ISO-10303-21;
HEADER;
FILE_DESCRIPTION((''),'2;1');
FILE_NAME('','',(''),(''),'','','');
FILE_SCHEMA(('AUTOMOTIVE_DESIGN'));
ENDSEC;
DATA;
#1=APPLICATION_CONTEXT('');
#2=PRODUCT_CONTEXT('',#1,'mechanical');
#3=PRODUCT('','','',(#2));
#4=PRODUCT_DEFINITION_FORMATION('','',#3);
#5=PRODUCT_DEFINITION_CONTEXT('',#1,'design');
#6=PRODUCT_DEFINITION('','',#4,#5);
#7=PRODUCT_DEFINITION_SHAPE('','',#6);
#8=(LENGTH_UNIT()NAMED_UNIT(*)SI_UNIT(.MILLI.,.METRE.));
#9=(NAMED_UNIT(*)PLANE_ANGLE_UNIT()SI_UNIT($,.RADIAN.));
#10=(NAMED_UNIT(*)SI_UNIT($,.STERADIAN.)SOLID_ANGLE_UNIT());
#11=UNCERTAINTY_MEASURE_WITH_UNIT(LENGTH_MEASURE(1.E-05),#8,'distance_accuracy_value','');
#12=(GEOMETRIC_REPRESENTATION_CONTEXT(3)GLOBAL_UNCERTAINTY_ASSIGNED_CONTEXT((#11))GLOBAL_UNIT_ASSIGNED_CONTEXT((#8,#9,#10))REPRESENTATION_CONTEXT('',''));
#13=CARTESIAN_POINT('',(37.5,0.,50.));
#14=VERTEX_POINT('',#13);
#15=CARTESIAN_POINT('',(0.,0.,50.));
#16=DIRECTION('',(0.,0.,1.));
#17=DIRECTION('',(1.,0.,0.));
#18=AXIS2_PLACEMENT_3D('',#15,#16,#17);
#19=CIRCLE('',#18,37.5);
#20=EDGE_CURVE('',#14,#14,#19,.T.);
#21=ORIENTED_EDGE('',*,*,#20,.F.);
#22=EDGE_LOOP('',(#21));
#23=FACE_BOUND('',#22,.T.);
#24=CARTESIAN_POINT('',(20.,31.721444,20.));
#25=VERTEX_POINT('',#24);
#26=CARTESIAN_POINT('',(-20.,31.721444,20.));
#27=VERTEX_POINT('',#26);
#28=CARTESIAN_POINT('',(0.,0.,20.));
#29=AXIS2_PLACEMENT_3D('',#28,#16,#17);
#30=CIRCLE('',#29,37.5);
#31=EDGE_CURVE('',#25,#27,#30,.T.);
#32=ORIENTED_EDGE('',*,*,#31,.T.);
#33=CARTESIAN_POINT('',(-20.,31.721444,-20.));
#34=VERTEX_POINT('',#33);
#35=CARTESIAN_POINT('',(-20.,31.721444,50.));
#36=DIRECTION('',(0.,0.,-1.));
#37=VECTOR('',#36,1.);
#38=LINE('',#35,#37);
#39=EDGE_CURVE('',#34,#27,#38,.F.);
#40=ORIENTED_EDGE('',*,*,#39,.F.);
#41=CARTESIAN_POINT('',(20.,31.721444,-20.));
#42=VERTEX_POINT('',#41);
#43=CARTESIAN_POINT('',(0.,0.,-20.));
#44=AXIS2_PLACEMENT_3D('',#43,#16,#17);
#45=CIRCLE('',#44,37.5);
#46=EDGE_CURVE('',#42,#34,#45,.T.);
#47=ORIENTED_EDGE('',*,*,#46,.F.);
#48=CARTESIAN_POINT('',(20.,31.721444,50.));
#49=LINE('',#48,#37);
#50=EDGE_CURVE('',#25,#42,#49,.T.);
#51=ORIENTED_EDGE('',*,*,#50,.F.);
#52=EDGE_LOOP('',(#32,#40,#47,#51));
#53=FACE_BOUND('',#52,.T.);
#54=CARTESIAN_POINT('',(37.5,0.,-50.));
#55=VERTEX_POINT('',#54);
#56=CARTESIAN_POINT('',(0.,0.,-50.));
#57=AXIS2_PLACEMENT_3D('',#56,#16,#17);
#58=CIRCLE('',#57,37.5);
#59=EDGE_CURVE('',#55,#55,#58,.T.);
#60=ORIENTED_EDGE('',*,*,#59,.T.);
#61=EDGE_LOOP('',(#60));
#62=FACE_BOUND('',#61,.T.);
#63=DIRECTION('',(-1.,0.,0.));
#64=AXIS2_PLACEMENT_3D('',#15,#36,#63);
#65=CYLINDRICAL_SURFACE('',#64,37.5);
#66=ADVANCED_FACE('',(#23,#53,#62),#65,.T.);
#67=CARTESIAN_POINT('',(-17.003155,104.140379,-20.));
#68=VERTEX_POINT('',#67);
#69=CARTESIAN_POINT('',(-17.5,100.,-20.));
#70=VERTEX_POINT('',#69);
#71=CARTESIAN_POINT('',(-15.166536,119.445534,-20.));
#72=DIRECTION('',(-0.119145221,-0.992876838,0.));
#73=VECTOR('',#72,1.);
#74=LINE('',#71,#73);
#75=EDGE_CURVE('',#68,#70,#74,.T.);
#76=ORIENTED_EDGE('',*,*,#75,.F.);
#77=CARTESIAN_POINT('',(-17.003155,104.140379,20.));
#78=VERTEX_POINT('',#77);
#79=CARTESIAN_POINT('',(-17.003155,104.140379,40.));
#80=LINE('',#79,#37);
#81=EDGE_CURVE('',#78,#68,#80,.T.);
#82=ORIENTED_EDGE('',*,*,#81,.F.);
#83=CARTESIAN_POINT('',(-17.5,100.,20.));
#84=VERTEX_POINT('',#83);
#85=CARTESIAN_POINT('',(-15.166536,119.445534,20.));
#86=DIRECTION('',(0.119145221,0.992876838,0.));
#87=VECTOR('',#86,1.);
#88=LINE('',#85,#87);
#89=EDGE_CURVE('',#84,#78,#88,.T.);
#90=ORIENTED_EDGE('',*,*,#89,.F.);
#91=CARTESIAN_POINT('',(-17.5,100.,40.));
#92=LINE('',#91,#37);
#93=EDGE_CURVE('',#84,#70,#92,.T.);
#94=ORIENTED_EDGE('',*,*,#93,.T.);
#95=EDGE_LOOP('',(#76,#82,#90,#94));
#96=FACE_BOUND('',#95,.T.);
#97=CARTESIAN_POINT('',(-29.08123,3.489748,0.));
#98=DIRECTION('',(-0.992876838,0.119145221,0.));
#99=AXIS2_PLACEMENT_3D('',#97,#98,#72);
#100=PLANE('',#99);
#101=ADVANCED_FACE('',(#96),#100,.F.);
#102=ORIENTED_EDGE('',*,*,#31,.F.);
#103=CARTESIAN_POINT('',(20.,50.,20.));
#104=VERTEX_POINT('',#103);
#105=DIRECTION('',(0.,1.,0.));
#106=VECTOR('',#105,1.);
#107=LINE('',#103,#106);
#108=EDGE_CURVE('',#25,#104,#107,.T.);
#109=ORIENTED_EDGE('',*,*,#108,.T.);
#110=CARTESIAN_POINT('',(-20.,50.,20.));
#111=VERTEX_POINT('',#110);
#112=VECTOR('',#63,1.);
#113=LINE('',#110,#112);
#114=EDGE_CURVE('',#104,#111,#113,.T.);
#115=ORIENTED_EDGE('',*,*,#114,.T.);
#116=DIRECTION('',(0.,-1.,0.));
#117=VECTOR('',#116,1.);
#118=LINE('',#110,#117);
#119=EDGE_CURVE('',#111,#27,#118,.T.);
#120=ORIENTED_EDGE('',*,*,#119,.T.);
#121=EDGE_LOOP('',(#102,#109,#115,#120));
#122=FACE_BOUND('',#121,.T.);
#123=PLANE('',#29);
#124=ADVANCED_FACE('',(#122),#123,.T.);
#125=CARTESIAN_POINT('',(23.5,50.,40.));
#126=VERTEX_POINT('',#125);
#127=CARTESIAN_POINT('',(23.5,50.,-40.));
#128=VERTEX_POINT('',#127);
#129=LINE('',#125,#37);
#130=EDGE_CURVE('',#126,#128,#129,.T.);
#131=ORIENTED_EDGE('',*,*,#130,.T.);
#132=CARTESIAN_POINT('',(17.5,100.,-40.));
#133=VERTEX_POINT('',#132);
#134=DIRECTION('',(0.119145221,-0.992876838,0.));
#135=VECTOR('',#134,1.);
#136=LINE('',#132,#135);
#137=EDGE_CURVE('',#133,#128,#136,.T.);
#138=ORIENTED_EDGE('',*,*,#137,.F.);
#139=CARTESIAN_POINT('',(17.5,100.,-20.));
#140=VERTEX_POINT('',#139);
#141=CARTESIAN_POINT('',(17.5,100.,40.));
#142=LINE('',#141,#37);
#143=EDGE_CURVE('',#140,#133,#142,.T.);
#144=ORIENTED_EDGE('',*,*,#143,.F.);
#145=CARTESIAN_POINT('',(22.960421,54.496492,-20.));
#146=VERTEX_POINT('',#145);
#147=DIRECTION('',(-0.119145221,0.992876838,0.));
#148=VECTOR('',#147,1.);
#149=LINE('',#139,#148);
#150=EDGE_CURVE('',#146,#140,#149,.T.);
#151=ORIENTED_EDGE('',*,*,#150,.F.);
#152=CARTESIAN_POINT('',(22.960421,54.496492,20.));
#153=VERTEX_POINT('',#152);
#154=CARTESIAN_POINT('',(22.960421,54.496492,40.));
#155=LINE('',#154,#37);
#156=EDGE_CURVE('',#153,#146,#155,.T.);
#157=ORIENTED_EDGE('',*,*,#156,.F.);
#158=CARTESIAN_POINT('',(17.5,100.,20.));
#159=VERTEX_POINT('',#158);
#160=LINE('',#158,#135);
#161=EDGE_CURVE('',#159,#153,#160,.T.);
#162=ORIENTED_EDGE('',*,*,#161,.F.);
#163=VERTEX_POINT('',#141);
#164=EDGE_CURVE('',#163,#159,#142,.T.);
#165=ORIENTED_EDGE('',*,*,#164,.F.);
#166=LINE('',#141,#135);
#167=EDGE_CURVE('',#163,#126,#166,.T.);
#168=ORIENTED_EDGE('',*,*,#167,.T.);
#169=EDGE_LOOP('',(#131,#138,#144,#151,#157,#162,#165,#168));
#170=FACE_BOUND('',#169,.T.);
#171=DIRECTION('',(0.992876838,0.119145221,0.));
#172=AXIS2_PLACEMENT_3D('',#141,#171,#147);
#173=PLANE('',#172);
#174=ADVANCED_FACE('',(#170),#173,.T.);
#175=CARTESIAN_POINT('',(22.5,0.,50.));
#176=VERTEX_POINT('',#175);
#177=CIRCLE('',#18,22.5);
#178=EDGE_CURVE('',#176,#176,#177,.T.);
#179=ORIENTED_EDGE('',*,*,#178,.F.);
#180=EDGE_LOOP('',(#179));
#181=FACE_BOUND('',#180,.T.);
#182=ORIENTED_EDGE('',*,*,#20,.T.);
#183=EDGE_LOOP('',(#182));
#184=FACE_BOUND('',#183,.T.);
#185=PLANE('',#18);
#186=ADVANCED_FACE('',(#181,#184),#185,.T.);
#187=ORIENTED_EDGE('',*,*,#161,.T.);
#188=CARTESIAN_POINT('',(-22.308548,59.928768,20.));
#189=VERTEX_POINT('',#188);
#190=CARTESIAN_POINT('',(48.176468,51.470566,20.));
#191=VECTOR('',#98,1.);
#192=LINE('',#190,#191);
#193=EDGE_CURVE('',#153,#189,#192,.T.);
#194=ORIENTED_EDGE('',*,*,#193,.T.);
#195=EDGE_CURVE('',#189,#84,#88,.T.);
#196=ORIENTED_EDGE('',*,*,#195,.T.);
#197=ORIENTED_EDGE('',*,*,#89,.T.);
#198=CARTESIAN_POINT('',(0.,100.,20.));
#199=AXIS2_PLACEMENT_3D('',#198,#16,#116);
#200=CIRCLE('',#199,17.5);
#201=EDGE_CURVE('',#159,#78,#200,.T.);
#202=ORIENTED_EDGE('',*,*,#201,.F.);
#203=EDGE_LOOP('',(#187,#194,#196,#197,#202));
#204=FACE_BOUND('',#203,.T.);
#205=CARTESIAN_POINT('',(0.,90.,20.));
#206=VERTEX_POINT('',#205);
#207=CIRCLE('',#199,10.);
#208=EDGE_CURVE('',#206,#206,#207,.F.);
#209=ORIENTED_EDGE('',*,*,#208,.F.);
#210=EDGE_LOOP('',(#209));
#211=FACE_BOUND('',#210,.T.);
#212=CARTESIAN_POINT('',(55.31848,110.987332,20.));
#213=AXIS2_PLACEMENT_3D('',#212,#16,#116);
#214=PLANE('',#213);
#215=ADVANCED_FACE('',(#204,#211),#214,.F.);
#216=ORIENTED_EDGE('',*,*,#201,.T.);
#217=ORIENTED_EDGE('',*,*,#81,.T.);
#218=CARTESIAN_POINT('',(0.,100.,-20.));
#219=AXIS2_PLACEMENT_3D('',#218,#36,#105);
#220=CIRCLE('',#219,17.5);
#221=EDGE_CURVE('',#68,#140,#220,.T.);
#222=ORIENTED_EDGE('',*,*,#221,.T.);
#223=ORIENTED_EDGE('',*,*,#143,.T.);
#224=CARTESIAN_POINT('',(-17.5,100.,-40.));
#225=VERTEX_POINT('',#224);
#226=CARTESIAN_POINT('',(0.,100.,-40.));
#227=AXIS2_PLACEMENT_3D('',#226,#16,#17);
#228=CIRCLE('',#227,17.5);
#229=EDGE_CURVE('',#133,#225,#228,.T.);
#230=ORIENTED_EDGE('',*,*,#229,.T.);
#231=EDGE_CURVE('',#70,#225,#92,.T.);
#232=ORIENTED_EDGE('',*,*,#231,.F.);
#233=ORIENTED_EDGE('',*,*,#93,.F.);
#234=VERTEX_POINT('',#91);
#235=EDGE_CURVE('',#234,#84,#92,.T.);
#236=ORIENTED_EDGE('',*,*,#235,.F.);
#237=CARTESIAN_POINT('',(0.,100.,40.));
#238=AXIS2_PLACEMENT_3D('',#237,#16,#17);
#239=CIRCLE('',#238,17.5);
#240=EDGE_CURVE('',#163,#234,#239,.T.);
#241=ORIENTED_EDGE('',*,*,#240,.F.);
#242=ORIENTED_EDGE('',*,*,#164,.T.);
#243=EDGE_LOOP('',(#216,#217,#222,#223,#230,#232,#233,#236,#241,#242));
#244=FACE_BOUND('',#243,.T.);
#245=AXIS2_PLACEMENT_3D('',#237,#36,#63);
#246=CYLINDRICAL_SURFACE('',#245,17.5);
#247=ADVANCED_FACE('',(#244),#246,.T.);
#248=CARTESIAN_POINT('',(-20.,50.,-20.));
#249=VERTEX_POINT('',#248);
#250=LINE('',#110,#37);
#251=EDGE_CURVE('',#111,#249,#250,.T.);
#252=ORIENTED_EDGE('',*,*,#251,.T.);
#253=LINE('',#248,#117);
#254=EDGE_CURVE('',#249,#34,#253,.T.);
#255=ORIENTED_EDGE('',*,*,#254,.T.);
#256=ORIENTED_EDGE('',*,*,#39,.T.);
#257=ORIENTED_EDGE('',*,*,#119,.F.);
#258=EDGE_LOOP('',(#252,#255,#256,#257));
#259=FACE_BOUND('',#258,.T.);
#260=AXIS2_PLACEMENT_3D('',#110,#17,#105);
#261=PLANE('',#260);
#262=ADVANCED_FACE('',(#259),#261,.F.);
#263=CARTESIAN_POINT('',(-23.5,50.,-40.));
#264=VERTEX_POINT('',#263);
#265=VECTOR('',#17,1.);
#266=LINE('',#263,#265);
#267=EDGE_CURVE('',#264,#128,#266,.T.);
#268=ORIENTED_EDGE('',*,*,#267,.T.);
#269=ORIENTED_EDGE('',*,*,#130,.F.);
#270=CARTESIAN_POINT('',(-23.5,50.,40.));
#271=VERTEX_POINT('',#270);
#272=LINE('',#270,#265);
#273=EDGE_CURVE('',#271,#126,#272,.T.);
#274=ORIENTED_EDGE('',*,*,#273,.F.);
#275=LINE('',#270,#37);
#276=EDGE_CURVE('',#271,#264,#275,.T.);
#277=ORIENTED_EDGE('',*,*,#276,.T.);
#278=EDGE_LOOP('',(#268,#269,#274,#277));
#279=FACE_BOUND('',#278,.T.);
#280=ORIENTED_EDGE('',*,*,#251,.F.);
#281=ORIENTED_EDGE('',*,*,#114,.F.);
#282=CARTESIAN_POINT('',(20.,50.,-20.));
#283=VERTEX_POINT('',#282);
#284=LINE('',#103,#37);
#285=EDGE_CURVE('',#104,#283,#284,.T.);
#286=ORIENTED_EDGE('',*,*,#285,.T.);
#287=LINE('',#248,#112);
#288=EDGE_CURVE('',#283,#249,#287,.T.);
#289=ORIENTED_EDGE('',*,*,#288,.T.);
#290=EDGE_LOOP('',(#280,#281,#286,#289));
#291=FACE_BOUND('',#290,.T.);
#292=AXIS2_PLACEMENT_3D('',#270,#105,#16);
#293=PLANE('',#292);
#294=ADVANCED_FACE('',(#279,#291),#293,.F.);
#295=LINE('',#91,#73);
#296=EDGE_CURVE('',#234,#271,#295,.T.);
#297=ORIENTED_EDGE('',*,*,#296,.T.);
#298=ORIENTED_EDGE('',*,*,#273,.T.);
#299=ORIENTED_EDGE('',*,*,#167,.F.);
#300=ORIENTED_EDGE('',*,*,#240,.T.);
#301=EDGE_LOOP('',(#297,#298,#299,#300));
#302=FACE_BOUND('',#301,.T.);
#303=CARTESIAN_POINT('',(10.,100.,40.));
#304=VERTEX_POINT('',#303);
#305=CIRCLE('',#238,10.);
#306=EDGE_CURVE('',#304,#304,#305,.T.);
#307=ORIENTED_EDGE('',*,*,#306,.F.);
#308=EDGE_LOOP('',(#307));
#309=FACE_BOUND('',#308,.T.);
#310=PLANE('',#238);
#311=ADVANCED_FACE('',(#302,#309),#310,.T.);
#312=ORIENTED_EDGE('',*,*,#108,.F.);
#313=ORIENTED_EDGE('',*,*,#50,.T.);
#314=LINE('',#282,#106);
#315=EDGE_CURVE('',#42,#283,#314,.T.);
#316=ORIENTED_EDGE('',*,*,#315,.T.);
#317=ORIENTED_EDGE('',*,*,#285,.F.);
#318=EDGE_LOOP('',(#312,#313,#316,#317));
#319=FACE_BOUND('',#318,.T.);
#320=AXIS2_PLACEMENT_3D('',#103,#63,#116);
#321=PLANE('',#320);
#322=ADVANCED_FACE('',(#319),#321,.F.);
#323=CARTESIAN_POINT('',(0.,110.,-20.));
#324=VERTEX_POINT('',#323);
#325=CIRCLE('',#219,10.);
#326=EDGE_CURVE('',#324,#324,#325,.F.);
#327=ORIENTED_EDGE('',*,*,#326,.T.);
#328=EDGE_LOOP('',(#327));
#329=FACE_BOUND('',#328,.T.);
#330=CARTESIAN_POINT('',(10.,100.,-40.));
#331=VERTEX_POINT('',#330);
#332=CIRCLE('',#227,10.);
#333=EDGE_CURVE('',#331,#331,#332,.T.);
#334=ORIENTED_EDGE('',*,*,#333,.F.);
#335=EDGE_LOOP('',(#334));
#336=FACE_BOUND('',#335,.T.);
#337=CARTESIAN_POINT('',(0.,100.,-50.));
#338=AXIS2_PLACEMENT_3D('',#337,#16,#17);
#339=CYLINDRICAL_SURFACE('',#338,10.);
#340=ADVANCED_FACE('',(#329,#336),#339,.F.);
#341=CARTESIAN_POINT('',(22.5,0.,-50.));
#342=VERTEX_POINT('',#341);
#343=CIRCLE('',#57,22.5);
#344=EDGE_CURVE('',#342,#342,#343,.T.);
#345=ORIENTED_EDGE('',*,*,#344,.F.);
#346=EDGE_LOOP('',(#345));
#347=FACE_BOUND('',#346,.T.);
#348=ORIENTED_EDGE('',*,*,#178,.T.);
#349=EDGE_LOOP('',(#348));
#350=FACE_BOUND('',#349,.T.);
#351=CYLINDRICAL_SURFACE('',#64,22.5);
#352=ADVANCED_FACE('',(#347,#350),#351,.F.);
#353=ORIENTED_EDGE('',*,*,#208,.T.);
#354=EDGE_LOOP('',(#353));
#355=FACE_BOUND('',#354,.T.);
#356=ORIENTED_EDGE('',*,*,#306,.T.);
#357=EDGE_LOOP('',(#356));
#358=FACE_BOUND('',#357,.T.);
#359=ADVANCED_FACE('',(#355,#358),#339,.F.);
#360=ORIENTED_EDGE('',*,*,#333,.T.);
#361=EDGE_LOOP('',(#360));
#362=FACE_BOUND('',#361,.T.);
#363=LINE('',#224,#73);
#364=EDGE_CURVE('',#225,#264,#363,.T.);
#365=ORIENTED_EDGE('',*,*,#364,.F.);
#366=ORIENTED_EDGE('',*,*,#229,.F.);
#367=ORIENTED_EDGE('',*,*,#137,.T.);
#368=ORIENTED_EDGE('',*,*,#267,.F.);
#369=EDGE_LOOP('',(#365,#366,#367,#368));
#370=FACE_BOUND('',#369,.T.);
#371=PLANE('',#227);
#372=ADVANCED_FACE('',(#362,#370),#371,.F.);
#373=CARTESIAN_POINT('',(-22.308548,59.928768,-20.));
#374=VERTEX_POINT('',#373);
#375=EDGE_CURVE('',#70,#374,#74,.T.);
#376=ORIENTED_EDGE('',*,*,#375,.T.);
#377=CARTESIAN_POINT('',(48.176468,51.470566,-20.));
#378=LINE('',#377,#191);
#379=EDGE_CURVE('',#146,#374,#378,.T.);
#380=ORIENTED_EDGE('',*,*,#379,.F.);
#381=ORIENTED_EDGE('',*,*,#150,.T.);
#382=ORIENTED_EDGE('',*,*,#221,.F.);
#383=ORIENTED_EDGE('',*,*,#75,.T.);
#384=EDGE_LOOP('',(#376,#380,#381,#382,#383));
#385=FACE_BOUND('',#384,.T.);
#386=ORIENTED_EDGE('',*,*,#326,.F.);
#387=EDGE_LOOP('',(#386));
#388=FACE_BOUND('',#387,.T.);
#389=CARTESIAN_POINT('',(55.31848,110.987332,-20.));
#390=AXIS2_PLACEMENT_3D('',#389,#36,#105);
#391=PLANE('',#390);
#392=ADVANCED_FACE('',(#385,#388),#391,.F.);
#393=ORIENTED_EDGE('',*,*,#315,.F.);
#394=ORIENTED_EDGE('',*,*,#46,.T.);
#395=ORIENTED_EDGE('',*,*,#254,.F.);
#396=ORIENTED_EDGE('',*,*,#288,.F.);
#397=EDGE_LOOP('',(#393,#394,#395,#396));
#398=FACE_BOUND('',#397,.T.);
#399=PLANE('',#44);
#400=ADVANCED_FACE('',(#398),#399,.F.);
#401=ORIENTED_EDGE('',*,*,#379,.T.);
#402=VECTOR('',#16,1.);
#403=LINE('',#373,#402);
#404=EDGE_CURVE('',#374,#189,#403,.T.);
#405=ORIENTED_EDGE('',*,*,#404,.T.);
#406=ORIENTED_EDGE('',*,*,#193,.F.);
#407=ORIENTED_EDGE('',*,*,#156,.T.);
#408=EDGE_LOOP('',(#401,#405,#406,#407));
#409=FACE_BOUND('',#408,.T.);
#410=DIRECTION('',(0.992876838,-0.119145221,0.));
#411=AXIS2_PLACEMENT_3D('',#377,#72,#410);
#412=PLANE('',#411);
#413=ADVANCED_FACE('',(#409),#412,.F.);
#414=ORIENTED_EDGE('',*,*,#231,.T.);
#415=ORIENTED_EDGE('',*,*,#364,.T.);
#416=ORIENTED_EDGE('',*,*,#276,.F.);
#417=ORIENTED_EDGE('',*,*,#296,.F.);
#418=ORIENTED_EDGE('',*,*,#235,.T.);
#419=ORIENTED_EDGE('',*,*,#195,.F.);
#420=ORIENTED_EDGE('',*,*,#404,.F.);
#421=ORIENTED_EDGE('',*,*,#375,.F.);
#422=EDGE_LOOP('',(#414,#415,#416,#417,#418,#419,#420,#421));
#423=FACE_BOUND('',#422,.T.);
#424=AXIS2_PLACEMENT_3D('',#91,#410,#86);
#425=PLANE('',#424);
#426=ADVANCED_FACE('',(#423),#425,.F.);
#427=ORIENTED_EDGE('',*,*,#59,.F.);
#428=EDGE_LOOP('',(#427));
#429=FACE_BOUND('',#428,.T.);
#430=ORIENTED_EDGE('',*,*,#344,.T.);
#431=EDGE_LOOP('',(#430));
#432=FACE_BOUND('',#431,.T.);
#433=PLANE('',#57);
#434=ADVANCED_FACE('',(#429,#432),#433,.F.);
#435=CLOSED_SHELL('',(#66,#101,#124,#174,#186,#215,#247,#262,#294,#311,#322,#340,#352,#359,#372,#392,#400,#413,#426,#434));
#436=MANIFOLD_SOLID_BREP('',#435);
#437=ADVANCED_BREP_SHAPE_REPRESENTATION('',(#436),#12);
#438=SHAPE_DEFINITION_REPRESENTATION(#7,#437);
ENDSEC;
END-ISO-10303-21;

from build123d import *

# Parameters (mm, degrees)
SKETCH1_R           = 37.5
SKETCH1_R_2         = 22.5
BOSS_EXTRUDE1_DEPTH = 50
BOSS_EXTRUDE3_DEPTH = 40
SKETCH10_R          = 10
CUT_EXTRUDE5_DEPTH  = 91
SKETCH11_W          = 40
SKETCH11_H          = 59.943754609
CUT_EXTRUDE6_DEPTH  = 71.990693952
SKETCH12_W          = 40
SKETCH12_H          = 20
BOSS_EXTRUDE8_DEPTH = 20


with BuildPart() as part:
    # Sketch1 → Boss-Extrude1 (new body, symmetric)
    with BuildSketch(Plane.XY):
        Circle(SKETCH1_R)
        Circle(SKETCH1_R_2, mode=Mode.SUBTRACT)
    extrude(amount=BOSS_EXTRUDE1_DEPTH, both=True)



with BuildPart() as body_2:
    # Sketch3 → Boss-Extrude3 (new body, symmetric)
    with BuildSketch(Plane.XY):
        with BuildLine():
            Line((-23.5, 50), (23.5, 50))
            Line((23.5, 50), (17.5, 100))
            ThreePointArc((17.5, 100), (0, 117.5), (-17.5, 100))
            Line((-17.5, 100), (-23.5, 50))
        make_face()
    extrude(amount=BOSS_EXTRUDE3_DEPTH, both=True)

    # Sketch10 → Cut-Extrude5 (cut, through all)
    with BuildSketch(Plane.XY.offset(40)):
        with Locations((0, 100)):
            Circle(SKETCH10_R)
    extrude(amount=-CUT_EXTRUDE5_DEPTH, mode=Mode.SUBTRACT)

    # Sketch11 → Cut-Extrude6 (cut, through all)
    with BuildSketch(Plane(origin=(-29.081230284, 3.489747634, 0), x_dir=(0, 0, 1), z_dir=(-0.992876838, 0.119145221, 0))):
        with Locations((0, 86.815806545)):
            Rectangle(SKETCH11_W, SKETCH11_H)
    extrude(amount=-CUT_EXTRUDE6_DEPTH, mode=Mode.SUBTRACT)


with BuildPart() as part_1:
    add(part.part)

    add(body_2.part)  # Boss-Extrude8 merges body 2
    # Sketch12 → Boss-Extrude8 (add, symmetric)
    with BuildSketch(Plane.XY):
        with Locations((0, 40)):
            Rectangle(SKETCH12_W, SKETCH12_H)
    extrude(amount=BOSS_EXTRUDE8_DEPTH, both=True)


solid = part_1.part
